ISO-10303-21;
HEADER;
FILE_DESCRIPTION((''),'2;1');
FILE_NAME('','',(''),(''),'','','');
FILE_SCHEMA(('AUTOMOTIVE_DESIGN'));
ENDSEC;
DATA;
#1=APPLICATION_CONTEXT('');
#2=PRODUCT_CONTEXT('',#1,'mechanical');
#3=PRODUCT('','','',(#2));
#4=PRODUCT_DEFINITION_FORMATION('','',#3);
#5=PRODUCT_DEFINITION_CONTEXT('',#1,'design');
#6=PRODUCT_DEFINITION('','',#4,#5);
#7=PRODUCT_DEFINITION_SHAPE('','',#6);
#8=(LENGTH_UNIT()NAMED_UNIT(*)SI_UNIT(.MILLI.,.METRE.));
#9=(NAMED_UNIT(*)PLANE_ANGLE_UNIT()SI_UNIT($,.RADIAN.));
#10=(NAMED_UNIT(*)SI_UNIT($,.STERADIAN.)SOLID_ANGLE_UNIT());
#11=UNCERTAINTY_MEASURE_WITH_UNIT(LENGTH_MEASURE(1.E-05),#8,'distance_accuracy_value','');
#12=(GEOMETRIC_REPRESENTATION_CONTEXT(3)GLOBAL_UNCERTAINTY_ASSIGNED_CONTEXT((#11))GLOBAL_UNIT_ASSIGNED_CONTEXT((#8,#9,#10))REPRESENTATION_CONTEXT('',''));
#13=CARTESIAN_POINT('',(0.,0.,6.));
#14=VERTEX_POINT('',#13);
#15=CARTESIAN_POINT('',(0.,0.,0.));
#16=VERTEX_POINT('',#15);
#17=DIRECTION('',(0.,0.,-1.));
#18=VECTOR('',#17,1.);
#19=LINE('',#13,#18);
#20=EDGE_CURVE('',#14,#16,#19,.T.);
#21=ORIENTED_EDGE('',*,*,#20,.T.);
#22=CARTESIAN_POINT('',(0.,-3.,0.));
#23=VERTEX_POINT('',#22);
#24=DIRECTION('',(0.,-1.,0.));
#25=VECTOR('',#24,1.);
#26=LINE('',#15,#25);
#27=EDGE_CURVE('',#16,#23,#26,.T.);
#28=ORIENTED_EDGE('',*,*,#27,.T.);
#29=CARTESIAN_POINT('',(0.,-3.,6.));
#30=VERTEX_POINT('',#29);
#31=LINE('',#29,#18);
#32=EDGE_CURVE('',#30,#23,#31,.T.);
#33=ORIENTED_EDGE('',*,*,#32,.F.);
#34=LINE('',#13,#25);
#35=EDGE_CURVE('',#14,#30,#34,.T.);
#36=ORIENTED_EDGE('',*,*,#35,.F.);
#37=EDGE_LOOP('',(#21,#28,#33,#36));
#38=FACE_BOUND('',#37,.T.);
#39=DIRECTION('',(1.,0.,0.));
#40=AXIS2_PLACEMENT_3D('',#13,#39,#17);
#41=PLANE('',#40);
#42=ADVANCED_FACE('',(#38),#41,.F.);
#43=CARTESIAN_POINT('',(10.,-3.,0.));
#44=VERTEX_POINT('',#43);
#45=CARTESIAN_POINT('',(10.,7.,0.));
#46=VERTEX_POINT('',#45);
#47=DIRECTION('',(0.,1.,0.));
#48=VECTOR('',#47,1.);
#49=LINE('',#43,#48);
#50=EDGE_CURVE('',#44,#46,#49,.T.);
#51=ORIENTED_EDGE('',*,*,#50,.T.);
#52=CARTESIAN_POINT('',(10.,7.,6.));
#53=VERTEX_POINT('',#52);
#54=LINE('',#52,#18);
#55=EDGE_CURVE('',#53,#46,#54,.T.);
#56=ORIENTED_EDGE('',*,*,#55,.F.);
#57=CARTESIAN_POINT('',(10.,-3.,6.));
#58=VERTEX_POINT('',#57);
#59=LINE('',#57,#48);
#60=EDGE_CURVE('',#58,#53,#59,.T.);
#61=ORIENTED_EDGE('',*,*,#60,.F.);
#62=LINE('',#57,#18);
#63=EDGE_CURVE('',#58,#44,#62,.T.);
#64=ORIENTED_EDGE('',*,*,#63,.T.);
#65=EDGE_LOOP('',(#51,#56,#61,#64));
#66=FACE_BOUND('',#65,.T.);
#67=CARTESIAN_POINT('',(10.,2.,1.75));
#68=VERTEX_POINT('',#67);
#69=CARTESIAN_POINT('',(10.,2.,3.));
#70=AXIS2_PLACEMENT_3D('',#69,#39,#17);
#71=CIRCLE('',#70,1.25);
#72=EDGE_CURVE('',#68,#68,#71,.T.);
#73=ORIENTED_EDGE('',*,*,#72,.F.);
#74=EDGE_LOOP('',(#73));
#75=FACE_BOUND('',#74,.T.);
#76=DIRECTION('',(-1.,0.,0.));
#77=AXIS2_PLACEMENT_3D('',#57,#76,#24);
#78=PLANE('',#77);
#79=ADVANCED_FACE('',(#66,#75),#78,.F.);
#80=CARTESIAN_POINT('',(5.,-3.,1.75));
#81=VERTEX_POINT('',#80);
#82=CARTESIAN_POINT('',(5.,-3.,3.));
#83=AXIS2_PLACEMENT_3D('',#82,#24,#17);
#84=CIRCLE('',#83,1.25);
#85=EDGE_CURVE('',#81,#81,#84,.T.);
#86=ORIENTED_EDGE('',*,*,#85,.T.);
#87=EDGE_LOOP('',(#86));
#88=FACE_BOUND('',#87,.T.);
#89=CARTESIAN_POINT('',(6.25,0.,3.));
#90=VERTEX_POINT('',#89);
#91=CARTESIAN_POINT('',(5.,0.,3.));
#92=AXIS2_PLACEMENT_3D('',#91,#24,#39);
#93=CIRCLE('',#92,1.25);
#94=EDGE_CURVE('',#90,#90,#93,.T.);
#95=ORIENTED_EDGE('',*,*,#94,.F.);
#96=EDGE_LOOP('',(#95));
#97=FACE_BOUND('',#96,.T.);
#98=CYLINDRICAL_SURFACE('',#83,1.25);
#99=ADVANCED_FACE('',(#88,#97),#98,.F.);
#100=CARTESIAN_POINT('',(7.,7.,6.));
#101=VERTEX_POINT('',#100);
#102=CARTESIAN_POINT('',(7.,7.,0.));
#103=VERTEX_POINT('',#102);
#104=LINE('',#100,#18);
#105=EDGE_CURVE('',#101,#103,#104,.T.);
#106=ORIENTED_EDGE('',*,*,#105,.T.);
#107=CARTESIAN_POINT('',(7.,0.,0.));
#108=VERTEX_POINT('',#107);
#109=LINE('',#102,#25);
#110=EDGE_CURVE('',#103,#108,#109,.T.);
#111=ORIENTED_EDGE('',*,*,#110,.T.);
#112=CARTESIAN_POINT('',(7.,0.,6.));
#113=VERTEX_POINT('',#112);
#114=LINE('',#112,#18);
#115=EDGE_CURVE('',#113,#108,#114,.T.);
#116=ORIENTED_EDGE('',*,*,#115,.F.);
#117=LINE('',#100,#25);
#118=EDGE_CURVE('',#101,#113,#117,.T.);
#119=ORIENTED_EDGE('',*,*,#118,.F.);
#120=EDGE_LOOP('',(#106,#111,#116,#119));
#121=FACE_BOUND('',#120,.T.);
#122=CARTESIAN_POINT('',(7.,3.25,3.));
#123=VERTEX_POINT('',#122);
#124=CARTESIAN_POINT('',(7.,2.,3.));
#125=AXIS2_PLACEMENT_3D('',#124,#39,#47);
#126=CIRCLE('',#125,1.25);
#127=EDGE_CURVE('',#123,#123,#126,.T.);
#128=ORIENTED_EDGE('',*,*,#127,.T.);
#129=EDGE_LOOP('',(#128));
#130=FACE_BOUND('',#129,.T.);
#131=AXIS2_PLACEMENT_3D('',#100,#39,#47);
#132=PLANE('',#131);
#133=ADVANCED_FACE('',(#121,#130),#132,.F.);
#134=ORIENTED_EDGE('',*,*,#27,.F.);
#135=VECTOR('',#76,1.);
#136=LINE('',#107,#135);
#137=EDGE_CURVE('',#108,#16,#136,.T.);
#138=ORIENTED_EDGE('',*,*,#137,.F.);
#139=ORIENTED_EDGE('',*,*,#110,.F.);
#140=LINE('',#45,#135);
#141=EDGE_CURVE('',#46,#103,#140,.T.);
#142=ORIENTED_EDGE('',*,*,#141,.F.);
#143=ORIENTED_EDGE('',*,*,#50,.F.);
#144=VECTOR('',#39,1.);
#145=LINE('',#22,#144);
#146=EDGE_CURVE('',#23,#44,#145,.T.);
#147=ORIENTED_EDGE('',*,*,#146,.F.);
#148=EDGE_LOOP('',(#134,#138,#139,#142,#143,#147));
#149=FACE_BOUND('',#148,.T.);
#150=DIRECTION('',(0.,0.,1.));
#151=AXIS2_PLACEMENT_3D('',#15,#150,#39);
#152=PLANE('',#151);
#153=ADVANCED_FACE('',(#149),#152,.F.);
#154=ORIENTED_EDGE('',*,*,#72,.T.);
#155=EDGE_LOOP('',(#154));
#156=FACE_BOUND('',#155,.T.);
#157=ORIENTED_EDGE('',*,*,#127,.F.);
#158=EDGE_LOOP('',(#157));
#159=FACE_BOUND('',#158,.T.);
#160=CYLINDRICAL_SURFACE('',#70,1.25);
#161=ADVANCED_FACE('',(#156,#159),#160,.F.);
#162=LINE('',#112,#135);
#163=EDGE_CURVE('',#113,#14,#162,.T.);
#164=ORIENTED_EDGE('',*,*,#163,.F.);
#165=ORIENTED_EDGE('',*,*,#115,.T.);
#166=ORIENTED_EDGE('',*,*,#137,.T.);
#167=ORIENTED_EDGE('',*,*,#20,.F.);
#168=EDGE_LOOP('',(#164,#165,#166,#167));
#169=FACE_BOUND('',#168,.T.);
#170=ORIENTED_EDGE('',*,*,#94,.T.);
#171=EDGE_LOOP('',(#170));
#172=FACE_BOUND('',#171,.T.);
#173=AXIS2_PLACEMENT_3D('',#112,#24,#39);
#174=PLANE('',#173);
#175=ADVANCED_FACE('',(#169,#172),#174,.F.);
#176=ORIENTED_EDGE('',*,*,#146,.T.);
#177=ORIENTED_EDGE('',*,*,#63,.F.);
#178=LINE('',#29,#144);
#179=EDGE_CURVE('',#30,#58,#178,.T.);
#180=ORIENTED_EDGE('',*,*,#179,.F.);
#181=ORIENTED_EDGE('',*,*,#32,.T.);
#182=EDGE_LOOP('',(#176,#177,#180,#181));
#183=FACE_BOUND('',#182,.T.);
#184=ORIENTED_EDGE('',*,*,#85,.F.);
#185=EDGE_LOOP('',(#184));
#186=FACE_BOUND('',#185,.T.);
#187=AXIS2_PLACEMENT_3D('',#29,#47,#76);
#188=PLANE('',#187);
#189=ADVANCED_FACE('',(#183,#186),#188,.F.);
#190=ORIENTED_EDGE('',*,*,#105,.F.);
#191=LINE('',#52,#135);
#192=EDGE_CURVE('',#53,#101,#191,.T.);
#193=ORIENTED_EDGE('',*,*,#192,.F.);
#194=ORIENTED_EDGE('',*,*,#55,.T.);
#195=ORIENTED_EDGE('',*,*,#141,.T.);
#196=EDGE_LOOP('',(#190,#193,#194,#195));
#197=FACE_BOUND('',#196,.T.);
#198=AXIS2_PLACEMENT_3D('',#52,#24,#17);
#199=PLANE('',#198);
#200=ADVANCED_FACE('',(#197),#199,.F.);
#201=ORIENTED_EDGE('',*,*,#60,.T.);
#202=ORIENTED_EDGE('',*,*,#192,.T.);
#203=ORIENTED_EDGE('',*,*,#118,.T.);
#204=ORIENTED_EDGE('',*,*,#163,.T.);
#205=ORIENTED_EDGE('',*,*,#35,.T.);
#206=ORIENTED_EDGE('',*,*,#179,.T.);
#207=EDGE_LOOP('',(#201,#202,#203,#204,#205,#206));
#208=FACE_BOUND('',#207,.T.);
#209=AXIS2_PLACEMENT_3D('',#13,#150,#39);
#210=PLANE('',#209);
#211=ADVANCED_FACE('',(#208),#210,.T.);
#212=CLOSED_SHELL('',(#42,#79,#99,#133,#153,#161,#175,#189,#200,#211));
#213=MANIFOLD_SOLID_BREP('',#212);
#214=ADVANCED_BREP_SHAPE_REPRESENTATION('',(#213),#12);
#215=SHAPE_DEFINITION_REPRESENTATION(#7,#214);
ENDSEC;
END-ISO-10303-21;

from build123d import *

# Parameters (mm, degrees)
EXTRUDE_1_DEPTH    = 6
HOLE_WIZARD_M3_1_D = 2.5
HOLE_WIZARD_M3_2_D = 2.5


with BuildPart() as part:
    # 草图1 → 凸台-拉伸1 (new body)
    with BuildSketch(Plane.XY):
        Polygon((0, 0), (0, -3), (10, -3), (10, 7), (7, 7), (7, 0), align=None)
    extrude(amount=EXTRUDE_1_DEPTH)

    # M3 螺纹孔1 (through all)
    with Locations(Plane(origin=(0, -3, 0), x_dir=(-1, 0, 0), z_dir=(0, -1, 0))):
        with Locations((-5, -3)):
            Hole(HOLE_WIZARD_M3_1_D / 2)

    # M3 螺纹孔2 (through all)
    with Locations(Plane(origin=(10, 0, 0), x_dir=(0, 0, -1), z_dir=(1, 0, 0))):
        with Locations((-3, 2)):
            Hole(HOLE_WIZARD_M3_2_D / 2)


solid = part.part
